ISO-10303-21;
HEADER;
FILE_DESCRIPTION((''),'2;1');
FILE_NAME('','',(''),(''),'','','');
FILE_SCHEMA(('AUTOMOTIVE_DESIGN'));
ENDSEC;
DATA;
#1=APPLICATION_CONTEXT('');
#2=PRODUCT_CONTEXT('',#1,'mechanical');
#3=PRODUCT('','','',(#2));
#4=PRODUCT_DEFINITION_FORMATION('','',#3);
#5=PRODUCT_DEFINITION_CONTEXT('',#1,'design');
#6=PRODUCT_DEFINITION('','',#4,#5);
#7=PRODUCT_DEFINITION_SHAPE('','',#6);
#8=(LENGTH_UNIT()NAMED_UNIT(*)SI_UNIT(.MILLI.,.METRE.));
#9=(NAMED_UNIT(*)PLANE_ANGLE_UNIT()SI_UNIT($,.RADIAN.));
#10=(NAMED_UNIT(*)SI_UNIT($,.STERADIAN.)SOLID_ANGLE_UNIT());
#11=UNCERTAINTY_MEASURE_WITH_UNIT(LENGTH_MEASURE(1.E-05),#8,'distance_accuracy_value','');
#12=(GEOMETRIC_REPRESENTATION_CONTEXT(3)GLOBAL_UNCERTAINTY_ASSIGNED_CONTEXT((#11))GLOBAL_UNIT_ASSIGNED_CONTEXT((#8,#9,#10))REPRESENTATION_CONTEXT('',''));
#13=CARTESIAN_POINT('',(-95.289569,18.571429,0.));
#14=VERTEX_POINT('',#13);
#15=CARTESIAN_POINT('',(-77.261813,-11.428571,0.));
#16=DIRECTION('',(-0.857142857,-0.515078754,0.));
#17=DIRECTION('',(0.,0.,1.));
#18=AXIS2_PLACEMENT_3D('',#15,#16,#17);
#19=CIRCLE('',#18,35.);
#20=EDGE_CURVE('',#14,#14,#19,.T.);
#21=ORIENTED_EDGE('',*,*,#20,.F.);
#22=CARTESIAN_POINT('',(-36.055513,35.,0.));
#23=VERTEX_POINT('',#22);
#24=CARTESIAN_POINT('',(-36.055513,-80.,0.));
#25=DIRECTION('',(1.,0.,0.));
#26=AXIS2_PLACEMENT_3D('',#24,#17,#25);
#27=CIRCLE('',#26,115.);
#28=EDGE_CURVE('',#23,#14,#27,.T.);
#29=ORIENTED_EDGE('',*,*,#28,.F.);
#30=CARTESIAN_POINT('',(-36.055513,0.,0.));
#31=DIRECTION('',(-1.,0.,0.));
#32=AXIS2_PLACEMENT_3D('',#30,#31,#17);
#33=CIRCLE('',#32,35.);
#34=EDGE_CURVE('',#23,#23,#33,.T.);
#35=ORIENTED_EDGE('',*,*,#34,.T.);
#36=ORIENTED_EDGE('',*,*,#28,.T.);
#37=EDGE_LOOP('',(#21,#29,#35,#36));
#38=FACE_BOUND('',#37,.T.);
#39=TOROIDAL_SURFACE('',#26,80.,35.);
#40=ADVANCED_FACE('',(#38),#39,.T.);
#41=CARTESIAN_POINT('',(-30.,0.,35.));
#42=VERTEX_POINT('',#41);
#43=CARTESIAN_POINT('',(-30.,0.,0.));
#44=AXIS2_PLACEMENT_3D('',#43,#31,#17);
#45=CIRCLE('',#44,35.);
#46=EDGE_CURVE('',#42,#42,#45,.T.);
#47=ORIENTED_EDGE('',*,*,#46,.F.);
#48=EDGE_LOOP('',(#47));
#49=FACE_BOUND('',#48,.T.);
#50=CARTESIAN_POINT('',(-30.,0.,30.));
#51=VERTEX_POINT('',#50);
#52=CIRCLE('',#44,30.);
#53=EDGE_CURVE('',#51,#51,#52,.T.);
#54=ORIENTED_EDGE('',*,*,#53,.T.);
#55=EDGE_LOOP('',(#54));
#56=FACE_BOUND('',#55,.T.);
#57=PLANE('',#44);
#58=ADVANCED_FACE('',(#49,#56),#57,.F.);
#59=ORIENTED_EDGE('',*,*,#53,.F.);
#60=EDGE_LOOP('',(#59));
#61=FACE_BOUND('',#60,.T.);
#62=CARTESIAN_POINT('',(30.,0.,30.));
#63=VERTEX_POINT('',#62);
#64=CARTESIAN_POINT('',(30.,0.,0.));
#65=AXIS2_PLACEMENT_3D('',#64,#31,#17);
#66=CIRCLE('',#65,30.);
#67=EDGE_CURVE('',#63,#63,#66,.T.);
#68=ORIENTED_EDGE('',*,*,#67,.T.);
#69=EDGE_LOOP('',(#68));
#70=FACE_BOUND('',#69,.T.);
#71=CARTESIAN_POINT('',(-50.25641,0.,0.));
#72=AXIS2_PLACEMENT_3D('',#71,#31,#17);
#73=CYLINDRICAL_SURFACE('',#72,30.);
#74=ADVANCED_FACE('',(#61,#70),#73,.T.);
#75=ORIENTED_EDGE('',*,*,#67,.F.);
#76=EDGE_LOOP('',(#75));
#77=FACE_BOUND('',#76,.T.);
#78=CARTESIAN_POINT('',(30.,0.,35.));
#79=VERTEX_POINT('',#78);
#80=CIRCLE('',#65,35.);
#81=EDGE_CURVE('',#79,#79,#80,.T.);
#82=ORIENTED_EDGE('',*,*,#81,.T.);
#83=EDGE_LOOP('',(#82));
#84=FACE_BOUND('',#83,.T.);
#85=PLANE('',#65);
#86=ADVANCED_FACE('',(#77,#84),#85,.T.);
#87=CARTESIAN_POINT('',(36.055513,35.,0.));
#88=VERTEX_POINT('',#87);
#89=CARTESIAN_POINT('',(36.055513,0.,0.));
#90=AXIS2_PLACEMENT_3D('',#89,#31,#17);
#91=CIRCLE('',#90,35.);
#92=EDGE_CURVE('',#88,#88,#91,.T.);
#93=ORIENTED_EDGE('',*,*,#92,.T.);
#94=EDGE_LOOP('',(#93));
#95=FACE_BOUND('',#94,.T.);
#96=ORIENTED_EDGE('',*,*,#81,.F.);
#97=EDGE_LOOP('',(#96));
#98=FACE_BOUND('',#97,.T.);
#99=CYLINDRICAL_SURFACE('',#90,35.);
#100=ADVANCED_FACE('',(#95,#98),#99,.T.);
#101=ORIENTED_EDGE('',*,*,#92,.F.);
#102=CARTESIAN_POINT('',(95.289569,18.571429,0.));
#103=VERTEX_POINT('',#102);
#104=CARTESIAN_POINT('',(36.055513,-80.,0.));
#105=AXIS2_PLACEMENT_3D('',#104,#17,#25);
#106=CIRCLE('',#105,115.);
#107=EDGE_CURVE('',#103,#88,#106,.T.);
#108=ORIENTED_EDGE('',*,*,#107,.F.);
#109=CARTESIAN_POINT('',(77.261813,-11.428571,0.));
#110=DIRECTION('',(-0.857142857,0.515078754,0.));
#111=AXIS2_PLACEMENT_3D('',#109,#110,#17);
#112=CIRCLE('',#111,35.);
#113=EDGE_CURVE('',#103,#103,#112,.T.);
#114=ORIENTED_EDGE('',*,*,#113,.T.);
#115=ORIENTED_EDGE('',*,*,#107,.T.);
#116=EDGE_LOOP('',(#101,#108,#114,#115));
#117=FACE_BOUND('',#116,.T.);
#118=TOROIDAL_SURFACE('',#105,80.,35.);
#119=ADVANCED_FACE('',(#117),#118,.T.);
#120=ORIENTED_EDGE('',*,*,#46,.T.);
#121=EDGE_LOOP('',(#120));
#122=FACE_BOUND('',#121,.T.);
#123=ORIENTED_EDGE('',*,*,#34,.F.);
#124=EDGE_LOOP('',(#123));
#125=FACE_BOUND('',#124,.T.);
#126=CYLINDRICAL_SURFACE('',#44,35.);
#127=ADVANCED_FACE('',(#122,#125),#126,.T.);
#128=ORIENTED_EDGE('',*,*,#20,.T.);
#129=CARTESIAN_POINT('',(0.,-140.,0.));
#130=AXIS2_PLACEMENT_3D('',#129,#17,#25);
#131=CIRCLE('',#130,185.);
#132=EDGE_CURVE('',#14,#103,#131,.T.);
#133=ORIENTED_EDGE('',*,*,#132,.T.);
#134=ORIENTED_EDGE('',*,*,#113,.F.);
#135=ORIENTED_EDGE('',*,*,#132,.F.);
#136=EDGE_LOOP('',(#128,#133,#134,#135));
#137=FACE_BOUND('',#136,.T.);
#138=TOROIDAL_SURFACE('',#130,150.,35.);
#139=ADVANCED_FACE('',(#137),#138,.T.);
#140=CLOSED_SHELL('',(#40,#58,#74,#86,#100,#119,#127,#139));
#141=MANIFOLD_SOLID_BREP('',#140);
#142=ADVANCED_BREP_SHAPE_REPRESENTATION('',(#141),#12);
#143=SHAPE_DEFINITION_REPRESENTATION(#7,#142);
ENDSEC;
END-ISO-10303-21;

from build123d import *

# Parameters (mm, degrees)
SKETCH_1_W = 60
SKETCH_1_H = 30
SKETCH_3_R = 35


with BuildPart() as part:
    # Эскиз1 → Повернуть1 (revolve)
    with BuildSketch(Plane.XY):
        with Locations((0, 15)):
            Rectangle(SKETCH_1_W, SKETCH_1_H)
    revolve(axis=Axis((-50.256410256, 0, 0), (1, 0, 0)))

    # По траектории1: sweep along a path in Эскиз2
    with BuildLine(Plane.XY) as sweep_1_path:
        Line((-30, 0), (-36.055512755, 0))
        ThreePointArc((-36.055512755, 0), (-57.436412108, -2.910071067), (-77.261813046, -11.428571429))
        ThreePointArc((-77.261813046, -11.428571429), (0, -290), (77.261813046, -11.428571429))
        ThreePointArc((77.261813046, -11.428571429), (57.436412108, -2.910071067), (36.055512755, 0))
        Line((36.055512755, 0), (30, 0))
    # Эскиз3 → По траектории1 (sweep)
    with BuildSketch(Plane.ZY.offset(30)):
        Circle(SKETCH_3_R)
    sweep(path=sweep_1_path.line)


solid = part.part
